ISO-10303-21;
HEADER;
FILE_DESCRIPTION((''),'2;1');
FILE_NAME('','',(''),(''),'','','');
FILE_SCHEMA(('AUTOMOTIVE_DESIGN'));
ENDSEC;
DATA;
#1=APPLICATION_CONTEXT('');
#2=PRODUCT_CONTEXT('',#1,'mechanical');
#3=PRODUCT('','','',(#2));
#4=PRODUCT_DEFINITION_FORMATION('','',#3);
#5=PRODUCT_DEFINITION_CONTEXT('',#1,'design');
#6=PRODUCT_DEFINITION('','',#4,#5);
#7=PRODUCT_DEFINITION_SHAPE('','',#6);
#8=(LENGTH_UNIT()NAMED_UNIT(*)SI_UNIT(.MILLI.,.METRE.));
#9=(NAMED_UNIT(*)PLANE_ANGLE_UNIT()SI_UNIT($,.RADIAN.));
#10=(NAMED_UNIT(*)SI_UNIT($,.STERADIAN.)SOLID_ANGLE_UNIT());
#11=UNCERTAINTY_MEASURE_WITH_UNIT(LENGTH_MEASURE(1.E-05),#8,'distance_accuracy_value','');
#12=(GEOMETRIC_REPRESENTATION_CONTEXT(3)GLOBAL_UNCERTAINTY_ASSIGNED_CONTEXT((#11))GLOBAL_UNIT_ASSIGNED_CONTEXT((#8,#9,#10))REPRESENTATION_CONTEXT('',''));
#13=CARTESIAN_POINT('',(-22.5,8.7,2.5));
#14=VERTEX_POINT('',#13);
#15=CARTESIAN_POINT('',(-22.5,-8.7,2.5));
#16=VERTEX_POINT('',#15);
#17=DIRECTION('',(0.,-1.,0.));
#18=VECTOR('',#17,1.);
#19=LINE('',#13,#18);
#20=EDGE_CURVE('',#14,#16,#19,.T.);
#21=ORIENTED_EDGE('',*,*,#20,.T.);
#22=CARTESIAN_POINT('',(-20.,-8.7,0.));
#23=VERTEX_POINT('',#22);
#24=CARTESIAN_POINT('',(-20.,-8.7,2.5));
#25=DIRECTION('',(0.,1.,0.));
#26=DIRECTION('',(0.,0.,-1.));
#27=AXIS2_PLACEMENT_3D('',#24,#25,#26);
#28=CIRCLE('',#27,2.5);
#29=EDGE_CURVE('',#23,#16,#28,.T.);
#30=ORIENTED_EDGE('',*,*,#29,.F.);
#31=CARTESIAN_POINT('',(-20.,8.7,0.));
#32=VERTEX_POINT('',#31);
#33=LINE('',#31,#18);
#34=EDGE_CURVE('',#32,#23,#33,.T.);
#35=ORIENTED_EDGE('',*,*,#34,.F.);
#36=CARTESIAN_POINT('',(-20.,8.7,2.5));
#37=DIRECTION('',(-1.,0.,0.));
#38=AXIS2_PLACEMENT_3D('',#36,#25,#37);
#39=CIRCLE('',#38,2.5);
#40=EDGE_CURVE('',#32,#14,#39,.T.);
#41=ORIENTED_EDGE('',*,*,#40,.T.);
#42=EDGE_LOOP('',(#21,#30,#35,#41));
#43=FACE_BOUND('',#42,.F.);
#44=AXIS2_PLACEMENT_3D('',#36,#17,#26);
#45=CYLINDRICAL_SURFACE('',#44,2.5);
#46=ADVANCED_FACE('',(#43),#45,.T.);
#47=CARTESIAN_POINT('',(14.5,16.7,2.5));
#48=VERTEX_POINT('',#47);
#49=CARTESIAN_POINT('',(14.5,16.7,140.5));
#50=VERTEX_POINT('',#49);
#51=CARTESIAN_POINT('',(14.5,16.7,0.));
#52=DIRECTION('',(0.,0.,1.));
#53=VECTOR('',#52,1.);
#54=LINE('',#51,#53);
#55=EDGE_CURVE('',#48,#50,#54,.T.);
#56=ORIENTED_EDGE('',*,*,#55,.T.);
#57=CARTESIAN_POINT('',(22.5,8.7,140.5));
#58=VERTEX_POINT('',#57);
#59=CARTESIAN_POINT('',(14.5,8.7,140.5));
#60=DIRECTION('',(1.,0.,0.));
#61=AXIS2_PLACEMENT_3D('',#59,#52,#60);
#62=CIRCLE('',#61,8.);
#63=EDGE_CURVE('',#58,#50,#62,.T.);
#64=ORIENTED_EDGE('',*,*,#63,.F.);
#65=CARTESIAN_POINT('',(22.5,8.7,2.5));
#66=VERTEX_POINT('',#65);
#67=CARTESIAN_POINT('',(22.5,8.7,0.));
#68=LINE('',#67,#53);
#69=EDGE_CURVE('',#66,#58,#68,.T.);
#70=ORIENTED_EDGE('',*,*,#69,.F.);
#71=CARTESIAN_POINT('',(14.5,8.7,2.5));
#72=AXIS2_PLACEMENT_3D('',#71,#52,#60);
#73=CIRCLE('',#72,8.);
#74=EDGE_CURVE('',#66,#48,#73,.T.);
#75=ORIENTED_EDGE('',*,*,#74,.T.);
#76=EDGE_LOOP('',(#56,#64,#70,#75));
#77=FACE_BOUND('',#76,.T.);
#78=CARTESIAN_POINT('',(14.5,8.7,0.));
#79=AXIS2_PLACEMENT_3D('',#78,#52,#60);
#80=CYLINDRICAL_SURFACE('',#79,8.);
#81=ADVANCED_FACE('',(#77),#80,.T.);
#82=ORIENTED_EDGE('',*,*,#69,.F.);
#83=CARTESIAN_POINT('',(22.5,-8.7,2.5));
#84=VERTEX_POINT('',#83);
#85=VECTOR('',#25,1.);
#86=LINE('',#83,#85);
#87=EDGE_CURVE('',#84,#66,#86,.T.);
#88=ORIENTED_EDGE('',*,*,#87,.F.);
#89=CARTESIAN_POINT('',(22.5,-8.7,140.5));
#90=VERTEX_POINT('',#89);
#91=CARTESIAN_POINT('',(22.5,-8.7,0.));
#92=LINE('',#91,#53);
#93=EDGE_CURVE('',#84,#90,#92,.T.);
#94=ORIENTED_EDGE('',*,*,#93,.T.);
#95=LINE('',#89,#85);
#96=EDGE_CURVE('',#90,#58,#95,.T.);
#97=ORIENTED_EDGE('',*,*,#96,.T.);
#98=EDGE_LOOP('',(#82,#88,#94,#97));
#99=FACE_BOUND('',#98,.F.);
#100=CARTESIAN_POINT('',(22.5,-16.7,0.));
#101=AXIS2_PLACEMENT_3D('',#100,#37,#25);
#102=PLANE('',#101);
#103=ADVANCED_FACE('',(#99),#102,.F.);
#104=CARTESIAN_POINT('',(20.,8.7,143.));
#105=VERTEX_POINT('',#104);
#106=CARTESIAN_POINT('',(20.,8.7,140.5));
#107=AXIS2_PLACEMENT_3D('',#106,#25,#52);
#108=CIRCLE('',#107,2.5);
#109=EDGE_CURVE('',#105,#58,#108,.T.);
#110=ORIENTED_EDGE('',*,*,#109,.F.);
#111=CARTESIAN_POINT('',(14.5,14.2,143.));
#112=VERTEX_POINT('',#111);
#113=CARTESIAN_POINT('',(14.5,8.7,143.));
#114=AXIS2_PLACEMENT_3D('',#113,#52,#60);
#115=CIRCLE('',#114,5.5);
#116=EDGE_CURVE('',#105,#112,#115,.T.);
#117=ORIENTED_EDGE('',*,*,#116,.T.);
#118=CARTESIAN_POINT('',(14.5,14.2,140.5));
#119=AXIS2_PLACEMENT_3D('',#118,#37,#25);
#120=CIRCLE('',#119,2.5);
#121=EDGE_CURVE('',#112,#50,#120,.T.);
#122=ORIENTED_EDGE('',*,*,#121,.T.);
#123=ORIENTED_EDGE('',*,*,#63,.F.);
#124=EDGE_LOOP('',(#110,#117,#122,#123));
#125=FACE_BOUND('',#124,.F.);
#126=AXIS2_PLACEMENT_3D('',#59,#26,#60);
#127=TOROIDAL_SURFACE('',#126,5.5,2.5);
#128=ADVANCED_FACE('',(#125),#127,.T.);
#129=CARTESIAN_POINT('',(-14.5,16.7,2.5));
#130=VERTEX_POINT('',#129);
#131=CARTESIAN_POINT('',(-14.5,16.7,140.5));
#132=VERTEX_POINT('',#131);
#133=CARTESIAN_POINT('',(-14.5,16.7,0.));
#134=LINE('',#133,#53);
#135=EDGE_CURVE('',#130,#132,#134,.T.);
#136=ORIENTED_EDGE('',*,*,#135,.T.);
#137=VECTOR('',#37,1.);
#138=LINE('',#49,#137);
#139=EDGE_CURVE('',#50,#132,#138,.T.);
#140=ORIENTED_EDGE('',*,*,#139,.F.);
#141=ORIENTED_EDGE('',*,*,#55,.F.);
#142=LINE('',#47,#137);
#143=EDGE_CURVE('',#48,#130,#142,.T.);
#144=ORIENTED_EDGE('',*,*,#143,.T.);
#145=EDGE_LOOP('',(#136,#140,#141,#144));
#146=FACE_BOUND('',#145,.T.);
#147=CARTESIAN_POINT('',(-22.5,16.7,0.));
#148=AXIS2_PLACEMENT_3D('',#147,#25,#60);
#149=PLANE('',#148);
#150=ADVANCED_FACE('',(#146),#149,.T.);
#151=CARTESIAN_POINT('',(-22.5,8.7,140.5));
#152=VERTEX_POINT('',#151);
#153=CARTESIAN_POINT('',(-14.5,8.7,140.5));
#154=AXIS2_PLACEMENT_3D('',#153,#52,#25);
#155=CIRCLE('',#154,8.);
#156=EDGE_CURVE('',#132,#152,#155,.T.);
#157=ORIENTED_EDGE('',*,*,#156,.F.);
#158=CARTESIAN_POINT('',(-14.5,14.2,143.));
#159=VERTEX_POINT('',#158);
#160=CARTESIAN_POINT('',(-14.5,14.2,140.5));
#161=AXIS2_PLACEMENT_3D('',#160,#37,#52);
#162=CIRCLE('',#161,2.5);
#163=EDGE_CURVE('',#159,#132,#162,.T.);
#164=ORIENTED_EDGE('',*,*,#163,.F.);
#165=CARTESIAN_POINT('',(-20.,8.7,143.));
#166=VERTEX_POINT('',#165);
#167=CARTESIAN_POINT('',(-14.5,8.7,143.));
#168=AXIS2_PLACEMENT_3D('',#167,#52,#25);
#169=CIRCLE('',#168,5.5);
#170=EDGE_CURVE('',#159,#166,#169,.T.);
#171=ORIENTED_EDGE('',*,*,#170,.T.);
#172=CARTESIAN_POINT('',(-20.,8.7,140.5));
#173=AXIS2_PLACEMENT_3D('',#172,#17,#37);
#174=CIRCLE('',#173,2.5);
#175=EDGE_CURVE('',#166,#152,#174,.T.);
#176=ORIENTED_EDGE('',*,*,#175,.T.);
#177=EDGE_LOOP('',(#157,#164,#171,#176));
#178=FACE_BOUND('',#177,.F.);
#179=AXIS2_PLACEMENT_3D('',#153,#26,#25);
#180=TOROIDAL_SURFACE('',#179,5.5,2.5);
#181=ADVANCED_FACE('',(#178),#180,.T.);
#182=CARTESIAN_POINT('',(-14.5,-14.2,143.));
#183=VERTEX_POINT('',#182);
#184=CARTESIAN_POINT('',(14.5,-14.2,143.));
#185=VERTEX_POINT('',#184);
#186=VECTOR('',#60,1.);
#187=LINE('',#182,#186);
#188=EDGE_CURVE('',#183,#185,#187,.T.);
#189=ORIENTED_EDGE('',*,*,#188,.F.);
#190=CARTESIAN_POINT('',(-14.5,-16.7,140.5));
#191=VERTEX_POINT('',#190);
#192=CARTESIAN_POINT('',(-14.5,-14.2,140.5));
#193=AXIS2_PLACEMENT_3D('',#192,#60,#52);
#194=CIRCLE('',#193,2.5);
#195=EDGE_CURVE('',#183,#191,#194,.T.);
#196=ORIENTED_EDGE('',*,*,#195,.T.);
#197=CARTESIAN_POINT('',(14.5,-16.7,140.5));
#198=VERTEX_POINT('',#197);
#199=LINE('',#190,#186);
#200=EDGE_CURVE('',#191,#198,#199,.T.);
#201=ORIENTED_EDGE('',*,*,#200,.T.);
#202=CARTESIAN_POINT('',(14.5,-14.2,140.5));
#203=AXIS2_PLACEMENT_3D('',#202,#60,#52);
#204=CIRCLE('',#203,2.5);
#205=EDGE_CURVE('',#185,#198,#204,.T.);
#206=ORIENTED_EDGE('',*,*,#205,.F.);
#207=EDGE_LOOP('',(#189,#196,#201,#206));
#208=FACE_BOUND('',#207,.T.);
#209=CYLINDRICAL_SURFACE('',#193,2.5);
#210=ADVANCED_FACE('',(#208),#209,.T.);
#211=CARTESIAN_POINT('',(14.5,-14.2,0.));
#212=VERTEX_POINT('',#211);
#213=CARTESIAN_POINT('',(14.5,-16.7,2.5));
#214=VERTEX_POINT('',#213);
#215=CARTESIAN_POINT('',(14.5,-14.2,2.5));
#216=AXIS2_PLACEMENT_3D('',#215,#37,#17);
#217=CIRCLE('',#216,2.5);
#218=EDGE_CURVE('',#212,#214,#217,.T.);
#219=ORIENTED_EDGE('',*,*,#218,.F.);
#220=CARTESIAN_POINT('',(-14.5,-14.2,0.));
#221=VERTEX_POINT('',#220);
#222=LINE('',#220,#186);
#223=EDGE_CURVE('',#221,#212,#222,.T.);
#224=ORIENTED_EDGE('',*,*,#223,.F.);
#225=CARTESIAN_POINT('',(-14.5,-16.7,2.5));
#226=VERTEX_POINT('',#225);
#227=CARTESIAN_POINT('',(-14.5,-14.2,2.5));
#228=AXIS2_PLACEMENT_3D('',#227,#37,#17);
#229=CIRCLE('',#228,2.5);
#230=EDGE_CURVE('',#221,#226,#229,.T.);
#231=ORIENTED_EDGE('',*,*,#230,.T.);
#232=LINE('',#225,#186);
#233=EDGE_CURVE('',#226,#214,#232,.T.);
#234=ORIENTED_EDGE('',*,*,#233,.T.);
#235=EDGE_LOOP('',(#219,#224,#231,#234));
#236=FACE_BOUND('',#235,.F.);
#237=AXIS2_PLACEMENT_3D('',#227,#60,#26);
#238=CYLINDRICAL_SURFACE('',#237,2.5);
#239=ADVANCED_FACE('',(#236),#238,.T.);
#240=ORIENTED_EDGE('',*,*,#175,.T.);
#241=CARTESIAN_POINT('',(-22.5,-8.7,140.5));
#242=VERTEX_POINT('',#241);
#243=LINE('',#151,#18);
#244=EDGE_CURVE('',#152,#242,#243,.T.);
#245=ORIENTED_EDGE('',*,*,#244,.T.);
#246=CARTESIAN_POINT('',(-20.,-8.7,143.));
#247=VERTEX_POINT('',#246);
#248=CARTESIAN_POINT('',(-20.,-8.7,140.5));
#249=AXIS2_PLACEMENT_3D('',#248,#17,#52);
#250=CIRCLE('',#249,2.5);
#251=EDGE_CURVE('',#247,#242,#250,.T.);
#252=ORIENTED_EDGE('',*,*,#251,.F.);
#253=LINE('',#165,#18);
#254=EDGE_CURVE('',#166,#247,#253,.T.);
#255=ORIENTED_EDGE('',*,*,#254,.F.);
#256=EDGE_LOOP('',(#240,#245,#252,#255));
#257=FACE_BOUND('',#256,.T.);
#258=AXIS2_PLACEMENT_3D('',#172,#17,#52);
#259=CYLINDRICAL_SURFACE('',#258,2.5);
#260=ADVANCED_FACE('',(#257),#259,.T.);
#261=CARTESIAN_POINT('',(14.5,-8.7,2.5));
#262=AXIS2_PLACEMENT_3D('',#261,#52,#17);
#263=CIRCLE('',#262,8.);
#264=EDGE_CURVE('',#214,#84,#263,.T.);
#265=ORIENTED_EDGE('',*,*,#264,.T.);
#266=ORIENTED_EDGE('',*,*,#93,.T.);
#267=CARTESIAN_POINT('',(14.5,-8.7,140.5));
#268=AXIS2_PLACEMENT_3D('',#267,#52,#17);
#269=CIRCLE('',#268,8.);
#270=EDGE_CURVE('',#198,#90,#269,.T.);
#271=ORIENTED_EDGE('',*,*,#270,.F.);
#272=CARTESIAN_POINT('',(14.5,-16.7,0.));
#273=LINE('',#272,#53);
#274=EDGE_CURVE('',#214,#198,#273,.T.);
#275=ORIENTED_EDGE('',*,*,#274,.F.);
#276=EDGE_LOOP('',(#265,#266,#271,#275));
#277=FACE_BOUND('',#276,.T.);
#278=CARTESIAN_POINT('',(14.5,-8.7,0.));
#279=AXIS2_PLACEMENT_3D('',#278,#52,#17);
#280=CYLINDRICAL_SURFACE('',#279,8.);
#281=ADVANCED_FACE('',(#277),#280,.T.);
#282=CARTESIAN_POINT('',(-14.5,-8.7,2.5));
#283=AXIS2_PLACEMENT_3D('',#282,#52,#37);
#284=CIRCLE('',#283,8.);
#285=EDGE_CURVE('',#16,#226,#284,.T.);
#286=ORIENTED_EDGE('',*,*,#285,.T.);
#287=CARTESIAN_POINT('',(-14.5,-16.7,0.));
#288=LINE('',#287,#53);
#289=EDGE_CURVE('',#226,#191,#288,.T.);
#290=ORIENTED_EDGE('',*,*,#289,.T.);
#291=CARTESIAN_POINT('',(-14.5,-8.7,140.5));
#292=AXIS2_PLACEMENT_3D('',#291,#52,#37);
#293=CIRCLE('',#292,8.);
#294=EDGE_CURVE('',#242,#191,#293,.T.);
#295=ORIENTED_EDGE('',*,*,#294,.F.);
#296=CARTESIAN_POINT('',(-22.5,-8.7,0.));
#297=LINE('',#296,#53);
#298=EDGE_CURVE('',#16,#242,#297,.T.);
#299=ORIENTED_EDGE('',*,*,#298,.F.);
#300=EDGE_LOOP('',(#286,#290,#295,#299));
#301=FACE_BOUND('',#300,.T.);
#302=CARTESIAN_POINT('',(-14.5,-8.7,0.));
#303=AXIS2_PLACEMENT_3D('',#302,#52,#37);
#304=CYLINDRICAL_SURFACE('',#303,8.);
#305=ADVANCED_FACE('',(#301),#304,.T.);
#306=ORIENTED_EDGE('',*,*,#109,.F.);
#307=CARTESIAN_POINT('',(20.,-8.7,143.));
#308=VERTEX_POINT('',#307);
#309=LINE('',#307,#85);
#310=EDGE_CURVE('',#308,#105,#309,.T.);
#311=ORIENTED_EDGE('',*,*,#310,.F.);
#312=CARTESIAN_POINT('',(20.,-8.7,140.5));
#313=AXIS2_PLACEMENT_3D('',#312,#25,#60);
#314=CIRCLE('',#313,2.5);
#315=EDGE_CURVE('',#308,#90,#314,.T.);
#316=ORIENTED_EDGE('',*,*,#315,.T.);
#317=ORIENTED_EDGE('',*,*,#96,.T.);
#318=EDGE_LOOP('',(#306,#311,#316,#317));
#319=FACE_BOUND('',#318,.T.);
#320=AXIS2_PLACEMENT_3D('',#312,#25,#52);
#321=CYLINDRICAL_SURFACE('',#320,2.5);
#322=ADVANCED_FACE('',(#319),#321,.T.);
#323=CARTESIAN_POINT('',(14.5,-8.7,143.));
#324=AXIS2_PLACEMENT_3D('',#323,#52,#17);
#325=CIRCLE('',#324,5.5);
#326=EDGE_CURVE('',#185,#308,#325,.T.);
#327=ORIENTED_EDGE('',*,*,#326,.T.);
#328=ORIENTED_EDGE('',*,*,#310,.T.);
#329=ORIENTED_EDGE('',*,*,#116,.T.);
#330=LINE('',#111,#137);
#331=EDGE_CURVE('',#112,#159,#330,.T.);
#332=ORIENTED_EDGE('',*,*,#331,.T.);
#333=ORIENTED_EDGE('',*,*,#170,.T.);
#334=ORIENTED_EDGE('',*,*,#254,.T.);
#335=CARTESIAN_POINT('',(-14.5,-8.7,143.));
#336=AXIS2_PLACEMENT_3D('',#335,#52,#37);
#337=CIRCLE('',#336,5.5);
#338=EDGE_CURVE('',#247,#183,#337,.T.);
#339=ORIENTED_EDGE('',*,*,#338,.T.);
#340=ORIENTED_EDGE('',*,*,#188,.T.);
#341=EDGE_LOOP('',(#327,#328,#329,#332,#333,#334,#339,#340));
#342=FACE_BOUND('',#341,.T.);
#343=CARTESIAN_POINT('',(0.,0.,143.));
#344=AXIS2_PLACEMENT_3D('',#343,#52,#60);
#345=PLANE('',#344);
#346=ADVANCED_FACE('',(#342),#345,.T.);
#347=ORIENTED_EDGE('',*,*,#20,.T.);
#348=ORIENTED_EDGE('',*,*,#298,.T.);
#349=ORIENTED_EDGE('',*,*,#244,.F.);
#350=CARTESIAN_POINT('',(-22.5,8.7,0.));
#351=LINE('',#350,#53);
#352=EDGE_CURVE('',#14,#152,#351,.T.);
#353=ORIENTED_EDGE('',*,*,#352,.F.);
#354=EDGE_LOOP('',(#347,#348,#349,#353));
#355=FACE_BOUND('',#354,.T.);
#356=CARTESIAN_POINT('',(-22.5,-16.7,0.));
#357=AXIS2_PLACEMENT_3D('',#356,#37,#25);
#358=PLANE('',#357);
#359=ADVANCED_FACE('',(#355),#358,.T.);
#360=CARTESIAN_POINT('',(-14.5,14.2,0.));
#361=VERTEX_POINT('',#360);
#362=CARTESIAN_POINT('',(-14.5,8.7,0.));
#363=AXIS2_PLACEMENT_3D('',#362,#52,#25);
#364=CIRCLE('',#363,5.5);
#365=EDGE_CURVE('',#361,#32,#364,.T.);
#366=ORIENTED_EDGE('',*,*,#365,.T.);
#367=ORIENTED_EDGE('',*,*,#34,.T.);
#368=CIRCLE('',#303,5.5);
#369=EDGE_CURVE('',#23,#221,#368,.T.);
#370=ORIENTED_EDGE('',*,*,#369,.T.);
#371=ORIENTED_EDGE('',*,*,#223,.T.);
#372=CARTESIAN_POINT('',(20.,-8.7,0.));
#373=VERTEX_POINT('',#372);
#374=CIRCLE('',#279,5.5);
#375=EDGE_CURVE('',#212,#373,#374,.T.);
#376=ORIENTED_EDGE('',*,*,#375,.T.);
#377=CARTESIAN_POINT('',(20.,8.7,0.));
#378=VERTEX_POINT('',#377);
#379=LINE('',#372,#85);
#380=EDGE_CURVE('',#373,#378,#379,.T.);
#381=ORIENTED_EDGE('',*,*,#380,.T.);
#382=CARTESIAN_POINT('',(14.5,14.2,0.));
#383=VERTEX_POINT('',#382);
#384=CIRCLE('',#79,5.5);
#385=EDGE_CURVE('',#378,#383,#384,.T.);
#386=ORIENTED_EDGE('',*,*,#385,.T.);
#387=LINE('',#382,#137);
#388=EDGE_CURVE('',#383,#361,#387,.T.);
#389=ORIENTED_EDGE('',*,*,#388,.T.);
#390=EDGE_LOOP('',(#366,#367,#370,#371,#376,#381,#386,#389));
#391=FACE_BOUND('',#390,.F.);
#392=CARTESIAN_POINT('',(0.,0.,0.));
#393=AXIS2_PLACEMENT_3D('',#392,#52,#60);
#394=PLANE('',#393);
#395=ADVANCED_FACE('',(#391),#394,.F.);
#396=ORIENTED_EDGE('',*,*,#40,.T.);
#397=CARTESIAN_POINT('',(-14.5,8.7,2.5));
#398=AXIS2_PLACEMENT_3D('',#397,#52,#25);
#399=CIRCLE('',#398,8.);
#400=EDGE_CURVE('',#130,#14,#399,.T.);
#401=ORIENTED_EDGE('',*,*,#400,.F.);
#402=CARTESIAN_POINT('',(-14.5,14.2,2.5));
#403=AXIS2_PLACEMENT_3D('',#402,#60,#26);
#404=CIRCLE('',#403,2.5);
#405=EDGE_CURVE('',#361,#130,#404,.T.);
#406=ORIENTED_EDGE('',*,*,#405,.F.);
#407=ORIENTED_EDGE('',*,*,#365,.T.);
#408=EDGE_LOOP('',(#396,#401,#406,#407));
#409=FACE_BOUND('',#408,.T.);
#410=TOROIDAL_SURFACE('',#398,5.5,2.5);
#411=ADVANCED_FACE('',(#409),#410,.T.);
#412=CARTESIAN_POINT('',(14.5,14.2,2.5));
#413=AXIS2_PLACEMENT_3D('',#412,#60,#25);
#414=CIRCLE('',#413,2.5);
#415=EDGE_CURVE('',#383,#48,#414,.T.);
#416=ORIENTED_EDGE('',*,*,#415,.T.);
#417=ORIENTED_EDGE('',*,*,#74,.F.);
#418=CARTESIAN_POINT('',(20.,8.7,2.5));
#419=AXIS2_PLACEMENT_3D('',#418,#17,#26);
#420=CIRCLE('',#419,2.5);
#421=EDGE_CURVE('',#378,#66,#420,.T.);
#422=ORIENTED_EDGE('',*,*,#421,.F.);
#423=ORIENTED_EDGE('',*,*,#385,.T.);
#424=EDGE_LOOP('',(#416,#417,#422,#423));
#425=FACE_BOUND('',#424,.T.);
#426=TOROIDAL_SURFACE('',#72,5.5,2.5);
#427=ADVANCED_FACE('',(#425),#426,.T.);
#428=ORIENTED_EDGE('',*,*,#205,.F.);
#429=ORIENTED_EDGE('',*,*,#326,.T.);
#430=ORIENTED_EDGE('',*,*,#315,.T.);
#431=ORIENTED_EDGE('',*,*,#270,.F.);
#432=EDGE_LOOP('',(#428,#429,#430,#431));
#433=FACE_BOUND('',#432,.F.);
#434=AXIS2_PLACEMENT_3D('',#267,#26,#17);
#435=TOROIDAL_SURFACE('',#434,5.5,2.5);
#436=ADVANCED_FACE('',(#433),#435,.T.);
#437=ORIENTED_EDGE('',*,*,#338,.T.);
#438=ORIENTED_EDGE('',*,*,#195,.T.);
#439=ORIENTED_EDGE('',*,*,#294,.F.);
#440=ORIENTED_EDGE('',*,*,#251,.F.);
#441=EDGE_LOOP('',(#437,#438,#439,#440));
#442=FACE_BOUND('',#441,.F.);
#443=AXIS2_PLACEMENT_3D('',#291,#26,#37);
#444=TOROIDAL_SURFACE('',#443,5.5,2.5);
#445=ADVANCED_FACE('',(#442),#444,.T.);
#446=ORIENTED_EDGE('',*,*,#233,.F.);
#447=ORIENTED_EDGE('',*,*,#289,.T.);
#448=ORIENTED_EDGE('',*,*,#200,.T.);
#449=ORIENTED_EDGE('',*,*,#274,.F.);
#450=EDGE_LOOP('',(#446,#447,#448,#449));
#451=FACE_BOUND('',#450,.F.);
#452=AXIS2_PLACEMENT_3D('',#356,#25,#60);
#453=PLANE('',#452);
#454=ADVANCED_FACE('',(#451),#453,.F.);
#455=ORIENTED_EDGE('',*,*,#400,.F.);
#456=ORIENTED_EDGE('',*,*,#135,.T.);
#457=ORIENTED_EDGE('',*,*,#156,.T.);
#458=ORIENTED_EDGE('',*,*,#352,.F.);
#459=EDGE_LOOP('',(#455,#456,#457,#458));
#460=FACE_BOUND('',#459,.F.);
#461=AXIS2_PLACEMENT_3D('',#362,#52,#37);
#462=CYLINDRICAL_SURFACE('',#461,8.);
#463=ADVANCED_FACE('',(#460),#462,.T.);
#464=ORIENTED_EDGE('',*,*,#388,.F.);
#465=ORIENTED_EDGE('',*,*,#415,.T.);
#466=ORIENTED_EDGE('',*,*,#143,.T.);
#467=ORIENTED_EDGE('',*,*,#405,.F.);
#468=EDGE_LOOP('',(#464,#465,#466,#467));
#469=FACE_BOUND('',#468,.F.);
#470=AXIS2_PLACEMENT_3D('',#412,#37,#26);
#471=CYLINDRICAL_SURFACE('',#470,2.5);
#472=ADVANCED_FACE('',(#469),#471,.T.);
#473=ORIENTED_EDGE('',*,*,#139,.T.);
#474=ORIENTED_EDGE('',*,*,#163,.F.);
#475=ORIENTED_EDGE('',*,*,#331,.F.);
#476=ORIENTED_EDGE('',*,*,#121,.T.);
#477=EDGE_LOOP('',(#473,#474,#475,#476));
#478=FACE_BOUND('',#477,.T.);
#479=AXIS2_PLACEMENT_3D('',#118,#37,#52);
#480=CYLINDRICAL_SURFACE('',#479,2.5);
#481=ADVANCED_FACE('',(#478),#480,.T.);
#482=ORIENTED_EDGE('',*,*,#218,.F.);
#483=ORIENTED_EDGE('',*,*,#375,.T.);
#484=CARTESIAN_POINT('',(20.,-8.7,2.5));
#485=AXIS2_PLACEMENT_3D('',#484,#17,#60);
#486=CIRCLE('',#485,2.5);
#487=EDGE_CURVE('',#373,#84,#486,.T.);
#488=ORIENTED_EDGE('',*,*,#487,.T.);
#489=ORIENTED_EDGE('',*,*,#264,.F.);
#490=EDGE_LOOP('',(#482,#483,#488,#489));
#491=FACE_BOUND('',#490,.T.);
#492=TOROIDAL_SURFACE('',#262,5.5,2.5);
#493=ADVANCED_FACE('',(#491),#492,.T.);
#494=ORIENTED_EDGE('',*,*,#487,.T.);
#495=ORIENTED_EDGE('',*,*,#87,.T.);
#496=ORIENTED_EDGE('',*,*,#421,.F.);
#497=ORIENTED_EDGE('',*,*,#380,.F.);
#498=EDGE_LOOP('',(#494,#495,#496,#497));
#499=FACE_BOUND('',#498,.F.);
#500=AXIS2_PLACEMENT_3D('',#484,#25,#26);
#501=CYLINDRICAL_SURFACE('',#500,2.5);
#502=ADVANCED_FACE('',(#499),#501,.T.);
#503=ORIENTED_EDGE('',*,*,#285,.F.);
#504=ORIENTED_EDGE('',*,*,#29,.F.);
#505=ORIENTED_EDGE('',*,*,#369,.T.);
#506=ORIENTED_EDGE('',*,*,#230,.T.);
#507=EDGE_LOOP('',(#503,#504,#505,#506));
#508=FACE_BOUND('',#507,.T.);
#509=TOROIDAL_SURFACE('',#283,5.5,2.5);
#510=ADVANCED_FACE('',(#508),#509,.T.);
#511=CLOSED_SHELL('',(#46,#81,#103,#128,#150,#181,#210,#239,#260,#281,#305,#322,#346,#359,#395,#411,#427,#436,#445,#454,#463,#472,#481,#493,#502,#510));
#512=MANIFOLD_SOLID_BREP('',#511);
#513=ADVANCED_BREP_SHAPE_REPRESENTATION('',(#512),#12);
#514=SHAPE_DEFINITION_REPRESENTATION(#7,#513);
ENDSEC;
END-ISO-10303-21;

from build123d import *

# Parameters (mm, degrees)
SKETCH_W    = 45
SKETCH_H    = 33.4
PAD_DEPTH   = 143
FILLET_R    = 8
FILLET001_R = 2.5


with BuildPart() as part:
    # Sketch → Pad (new body)
    with BuildSketch(Plane.XY):
        Rectangle(SKETCH_W, SKETCH_H)
    extrude(amount=PAD_DEPTH)

    # Fillet
    fillet_edges = [part.edges().sort_by_distance(p)[0] for p in [
        (22.5, -16.7, 71.5),
        (22.5, 16.7, 71.5),
        (-22.5, -16.7, 71.5),
        (-22.5, 16.7, 71.5),
    ]]
    fillet(fillet_edges, radius=FILLET_R)

    # Fillet001
    fillet001_edges = [part.edges().sort_by_distance(p)[0] for p in [
        (0, -16.7, 143),
        (20.156854, -14.356854, 143),
        (22.5, 0, 143),
        (20.156854, 14.356854, 143),
        (0, 16.7, 143),
        (-20.156854, 14.356854, 143),
        (-22.5, 0, 143),
        (-20.156854, -14.356854, 143),
        (20.156854, -14.356854, 0),
        (0, -16.7, 0),
        (-20.156854, -14.356854, 0),
        (-22.5, 0, 0),
        (-20.156854, 14.356854, 0),
        (0, 16.7, 0),
        (20.156854, 14.356854, 0),
        (22.5, 0, 0),
    ]]
    fillet(fillet001_edges, radius=FILLET001_R)


solid = part.part
